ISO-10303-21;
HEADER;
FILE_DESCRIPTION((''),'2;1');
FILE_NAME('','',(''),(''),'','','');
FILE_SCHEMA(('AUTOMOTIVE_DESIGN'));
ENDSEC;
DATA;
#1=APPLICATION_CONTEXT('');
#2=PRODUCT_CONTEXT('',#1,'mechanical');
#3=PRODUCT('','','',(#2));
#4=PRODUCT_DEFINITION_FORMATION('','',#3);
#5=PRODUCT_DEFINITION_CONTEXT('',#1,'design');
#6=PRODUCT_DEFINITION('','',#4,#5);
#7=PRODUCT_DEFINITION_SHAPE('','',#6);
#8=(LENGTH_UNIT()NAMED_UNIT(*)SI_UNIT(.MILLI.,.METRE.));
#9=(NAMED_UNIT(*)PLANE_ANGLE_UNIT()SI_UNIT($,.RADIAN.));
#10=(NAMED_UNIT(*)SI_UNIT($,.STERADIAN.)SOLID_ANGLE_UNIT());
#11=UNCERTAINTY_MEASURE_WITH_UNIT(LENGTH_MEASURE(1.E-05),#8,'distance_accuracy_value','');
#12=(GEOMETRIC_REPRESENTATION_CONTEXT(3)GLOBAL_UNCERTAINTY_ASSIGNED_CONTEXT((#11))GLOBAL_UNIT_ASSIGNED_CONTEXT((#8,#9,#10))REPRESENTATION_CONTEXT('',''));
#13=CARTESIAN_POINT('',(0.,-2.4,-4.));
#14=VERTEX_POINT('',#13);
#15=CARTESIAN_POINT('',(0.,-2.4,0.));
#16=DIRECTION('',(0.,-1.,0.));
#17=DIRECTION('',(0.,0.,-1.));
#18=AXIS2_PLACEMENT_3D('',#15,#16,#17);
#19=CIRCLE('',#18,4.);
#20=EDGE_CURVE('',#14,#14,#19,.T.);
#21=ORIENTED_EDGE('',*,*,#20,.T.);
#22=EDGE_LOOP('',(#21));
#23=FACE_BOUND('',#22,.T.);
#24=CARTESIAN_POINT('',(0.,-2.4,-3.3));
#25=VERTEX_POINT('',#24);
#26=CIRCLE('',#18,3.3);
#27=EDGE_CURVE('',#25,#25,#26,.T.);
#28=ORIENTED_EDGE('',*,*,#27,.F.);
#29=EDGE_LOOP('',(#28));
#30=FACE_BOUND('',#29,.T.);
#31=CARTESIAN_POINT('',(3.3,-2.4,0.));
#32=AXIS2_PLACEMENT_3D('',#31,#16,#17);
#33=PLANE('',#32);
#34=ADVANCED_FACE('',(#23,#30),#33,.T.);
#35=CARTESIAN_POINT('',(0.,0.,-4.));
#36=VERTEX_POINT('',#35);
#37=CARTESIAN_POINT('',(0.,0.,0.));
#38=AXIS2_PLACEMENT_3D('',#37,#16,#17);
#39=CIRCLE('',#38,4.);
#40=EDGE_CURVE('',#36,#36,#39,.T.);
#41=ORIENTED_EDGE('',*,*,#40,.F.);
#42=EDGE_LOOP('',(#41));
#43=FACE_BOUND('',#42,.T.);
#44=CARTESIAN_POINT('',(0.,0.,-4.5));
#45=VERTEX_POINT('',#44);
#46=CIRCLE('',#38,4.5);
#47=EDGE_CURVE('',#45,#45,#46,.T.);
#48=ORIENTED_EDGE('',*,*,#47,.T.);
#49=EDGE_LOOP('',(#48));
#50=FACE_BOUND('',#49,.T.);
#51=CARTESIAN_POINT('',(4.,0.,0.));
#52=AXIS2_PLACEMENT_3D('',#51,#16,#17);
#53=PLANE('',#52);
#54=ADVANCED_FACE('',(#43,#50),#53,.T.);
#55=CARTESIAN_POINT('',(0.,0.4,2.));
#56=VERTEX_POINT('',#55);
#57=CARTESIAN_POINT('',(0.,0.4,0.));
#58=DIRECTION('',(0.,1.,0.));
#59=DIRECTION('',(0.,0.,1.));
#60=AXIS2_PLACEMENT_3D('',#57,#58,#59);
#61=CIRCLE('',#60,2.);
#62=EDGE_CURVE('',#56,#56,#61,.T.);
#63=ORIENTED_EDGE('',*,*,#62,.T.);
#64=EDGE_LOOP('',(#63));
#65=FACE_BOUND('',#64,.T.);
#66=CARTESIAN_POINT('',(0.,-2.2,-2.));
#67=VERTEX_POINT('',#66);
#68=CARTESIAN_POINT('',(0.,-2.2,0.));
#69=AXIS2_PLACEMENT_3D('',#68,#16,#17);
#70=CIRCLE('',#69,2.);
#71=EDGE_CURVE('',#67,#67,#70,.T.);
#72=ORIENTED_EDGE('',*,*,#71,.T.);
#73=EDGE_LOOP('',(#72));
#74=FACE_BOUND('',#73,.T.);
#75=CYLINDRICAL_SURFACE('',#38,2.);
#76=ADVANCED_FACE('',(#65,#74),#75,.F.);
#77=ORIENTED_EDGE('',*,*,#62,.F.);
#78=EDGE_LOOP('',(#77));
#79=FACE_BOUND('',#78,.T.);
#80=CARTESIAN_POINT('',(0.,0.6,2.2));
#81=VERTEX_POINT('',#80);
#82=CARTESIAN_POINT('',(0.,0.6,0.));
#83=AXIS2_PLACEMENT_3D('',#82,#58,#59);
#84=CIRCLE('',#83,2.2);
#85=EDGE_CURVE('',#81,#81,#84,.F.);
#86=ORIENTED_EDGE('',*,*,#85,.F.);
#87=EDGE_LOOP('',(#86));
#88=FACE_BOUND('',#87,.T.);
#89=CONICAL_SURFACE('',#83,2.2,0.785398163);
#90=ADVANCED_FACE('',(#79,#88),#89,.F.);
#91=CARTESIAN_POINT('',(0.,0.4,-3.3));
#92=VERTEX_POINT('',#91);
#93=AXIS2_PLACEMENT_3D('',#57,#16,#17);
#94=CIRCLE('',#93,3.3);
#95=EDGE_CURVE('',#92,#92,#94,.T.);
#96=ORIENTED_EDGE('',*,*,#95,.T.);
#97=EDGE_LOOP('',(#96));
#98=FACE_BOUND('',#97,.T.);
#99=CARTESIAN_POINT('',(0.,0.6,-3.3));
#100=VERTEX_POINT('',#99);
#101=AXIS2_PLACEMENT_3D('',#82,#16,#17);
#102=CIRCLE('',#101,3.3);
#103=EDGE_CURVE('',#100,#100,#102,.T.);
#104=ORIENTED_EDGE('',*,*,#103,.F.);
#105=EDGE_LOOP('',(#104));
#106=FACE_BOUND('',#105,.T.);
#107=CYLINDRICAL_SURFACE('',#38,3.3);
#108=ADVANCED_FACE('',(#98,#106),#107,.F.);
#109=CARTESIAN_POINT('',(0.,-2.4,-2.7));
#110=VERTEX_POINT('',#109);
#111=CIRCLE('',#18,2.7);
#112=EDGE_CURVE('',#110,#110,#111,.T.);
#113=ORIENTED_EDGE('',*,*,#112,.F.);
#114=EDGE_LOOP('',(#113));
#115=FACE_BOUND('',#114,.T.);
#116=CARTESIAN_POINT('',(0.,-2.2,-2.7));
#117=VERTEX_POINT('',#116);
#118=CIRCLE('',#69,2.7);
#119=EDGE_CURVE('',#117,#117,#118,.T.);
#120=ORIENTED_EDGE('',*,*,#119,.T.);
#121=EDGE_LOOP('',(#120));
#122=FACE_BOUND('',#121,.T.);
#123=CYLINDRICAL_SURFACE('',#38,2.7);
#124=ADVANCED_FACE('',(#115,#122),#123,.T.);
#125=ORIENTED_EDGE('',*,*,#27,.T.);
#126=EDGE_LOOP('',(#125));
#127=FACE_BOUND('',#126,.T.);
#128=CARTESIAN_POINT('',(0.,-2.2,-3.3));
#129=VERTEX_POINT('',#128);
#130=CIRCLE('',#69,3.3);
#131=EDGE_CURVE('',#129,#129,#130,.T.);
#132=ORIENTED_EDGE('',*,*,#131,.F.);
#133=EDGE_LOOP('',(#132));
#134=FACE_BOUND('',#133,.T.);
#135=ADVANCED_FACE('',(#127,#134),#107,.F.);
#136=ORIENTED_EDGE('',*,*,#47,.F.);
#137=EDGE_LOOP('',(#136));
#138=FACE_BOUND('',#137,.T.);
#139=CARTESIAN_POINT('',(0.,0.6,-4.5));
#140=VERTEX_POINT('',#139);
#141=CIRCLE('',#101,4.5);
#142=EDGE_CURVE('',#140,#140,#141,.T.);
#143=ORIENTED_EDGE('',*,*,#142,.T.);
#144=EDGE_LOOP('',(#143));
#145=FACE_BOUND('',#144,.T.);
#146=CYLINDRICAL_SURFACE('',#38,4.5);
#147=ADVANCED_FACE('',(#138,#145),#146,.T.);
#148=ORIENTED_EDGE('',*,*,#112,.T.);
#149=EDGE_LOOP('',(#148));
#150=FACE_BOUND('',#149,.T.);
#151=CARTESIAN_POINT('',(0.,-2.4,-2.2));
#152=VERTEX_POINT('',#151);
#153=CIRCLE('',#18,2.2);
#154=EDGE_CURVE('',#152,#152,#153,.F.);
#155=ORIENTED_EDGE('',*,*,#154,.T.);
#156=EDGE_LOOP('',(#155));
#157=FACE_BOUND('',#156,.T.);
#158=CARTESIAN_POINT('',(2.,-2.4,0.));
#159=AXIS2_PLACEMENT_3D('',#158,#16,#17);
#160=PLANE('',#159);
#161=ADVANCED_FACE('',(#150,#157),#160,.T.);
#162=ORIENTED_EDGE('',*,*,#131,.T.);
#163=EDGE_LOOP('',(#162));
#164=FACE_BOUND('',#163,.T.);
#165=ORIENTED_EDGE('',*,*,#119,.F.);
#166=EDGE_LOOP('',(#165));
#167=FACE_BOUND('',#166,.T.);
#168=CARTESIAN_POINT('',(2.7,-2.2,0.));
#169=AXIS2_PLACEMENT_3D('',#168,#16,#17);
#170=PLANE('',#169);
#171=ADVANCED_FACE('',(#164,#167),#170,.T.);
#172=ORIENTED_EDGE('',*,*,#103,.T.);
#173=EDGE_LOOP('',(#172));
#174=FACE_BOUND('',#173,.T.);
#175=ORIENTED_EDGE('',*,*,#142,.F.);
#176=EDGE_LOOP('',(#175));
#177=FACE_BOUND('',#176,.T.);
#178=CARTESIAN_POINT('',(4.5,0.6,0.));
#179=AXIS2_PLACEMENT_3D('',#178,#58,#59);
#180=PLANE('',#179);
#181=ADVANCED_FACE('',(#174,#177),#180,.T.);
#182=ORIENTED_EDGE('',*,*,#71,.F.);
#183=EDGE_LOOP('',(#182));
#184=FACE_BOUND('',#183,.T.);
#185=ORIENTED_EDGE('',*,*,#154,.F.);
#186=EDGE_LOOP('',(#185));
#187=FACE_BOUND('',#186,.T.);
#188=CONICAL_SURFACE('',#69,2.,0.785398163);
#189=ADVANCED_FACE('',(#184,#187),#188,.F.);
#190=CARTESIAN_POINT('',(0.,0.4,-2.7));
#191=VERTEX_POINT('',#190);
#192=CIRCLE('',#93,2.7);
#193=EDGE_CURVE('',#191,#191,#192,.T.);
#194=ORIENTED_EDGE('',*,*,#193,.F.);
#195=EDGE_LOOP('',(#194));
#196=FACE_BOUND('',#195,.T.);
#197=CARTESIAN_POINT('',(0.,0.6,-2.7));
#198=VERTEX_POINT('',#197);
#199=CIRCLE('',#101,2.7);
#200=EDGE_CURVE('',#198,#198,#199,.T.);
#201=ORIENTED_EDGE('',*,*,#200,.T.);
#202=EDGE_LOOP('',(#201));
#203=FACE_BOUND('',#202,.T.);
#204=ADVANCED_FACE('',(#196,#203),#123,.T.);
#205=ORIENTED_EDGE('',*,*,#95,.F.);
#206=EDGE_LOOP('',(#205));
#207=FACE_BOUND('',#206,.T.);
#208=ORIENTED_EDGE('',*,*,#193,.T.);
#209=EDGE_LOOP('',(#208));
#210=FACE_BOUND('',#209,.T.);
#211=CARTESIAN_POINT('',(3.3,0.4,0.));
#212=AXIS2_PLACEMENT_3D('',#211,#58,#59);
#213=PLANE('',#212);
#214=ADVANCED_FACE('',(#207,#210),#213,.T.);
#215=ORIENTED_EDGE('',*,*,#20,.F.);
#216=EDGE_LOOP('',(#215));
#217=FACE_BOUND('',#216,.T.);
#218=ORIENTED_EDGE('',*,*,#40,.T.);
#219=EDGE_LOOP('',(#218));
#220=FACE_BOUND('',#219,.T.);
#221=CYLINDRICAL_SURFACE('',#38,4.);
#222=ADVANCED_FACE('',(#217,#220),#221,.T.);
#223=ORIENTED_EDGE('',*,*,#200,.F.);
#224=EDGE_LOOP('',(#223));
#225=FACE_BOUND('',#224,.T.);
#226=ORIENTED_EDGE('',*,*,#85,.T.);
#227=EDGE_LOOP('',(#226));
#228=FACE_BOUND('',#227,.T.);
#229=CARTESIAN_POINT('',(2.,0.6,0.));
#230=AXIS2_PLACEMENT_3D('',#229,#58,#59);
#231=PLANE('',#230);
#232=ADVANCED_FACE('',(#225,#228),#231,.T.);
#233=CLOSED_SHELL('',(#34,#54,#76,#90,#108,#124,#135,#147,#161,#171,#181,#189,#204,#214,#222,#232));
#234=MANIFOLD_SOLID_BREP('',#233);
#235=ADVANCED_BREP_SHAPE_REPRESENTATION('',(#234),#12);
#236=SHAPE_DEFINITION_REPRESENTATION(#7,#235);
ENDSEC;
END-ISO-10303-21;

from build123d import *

# Parameters (mm, degrees)
CHAMFER1_SIZE = 0.2


with BuildPart() as part:
    # Sketch1 → Revolve1 (revolve)
    with BuildSketch(Plane.XY):
        Polygon((2, -2.4), (2, 0.6), (2.7, 0.6), (2.7, 0.4), (3.3, 0.4), (3.3, 0.6), (4.5, 0.6), (4.5, 0), (4, 0), (4, -2.4), (3.3, -2.4), (3.3, -2.2), (2.7, -2.2), (2.7, -2.4), align=None)
    revolve(axis=Axis((0, 0, 0), (0, 1, 0)))

    # Chamfer1
    chamfer1_edges = [part.edges().sort_by_distance(p)[0] for p in [
        (-2, -2.4, 0),
        (-2, 0.6, 0),
    ]]
    chamfer(chamfer1_edges, length=CHAMFER1_SIZE)


solid = part.part
